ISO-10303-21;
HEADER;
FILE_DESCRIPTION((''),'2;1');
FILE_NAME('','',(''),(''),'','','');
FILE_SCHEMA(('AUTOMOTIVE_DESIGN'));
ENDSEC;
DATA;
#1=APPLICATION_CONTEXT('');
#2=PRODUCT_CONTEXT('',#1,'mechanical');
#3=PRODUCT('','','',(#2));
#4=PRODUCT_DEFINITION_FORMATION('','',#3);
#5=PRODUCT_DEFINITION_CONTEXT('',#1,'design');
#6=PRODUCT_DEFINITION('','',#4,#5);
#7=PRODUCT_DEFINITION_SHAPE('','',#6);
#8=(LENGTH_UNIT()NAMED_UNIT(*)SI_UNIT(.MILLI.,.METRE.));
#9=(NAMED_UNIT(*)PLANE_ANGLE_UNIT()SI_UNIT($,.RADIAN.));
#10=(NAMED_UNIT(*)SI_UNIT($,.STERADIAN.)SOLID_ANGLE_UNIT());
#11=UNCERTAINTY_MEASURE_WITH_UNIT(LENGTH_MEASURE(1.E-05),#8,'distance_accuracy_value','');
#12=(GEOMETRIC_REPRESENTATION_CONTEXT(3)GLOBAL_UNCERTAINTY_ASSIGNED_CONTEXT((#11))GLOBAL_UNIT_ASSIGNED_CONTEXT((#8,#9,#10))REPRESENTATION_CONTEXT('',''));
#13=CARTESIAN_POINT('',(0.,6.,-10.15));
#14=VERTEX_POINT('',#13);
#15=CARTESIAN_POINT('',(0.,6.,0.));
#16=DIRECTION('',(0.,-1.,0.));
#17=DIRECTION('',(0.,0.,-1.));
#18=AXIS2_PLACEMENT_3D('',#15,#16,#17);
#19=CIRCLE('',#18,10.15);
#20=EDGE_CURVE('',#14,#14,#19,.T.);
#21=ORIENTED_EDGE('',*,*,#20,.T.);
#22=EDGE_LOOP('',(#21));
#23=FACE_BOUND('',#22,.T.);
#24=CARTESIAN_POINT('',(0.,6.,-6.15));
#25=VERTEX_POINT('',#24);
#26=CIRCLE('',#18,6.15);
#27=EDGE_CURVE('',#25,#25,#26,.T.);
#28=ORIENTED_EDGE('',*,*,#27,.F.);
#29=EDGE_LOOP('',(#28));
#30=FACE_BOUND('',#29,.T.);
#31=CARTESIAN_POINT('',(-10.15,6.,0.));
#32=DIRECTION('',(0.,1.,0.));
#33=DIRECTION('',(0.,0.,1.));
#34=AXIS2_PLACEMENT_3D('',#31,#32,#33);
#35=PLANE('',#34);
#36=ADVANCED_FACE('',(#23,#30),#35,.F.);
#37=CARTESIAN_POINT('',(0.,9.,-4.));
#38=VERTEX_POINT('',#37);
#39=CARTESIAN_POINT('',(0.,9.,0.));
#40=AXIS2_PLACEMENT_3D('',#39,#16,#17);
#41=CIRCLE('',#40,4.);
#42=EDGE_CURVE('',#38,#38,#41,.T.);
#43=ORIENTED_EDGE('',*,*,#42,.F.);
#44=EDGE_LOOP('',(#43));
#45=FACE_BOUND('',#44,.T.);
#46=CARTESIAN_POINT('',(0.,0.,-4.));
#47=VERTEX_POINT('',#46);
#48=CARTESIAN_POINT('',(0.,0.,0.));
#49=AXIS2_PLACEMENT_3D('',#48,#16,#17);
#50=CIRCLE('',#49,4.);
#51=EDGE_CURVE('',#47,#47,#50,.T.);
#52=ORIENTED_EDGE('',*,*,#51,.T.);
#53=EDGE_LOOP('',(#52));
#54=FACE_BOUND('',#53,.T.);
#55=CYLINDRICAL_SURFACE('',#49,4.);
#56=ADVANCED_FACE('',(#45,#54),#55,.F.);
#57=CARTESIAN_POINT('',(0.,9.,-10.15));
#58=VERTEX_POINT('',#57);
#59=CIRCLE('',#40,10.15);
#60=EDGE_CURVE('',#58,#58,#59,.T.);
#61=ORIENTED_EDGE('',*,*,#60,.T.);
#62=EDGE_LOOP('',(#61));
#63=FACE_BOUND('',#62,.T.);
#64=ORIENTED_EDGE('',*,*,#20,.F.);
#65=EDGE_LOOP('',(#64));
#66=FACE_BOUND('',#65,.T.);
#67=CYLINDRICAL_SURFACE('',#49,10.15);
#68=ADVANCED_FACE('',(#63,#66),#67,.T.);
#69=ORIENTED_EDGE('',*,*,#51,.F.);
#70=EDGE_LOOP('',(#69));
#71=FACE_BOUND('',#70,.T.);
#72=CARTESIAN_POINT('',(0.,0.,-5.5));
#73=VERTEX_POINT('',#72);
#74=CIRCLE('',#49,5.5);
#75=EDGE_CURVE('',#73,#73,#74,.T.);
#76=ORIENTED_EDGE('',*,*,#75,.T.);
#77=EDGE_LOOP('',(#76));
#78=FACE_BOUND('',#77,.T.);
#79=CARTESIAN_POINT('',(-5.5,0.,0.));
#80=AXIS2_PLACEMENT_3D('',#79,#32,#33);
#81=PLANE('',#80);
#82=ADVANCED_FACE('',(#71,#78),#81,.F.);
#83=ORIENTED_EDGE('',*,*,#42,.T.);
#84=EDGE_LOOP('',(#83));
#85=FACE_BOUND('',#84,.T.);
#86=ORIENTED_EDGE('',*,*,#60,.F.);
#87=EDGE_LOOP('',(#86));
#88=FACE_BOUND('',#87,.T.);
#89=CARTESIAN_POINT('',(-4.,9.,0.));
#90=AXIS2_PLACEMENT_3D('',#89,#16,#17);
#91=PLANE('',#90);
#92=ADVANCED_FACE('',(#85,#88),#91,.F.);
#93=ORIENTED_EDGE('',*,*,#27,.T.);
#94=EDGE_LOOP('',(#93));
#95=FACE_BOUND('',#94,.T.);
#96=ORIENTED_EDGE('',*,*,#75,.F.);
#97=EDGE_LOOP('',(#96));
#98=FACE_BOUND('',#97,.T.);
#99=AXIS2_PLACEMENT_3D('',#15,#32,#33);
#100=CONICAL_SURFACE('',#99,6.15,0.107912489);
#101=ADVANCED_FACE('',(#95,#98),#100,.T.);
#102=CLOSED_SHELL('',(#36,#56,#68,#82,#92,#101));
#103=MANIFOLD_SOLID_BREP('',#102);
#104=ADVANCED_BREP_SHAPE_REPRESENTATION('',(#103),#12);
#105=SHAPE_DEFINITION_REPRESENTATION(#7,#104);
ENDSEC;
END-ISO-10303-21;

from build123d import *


with BuildPart() as part:
    # Sketch1 → Revolve1 (revolve)
    with BuildSketch(Plane.XY):
        Polygon((-4, 9), (-10.15, 9), (-10.15, 6), (-6.15, 6), (-5.5, 0), (-4, 0), align=None)
    revolve(axis=Axis((0, 0, 0), (0, 1, 0)))


solid = part.part
